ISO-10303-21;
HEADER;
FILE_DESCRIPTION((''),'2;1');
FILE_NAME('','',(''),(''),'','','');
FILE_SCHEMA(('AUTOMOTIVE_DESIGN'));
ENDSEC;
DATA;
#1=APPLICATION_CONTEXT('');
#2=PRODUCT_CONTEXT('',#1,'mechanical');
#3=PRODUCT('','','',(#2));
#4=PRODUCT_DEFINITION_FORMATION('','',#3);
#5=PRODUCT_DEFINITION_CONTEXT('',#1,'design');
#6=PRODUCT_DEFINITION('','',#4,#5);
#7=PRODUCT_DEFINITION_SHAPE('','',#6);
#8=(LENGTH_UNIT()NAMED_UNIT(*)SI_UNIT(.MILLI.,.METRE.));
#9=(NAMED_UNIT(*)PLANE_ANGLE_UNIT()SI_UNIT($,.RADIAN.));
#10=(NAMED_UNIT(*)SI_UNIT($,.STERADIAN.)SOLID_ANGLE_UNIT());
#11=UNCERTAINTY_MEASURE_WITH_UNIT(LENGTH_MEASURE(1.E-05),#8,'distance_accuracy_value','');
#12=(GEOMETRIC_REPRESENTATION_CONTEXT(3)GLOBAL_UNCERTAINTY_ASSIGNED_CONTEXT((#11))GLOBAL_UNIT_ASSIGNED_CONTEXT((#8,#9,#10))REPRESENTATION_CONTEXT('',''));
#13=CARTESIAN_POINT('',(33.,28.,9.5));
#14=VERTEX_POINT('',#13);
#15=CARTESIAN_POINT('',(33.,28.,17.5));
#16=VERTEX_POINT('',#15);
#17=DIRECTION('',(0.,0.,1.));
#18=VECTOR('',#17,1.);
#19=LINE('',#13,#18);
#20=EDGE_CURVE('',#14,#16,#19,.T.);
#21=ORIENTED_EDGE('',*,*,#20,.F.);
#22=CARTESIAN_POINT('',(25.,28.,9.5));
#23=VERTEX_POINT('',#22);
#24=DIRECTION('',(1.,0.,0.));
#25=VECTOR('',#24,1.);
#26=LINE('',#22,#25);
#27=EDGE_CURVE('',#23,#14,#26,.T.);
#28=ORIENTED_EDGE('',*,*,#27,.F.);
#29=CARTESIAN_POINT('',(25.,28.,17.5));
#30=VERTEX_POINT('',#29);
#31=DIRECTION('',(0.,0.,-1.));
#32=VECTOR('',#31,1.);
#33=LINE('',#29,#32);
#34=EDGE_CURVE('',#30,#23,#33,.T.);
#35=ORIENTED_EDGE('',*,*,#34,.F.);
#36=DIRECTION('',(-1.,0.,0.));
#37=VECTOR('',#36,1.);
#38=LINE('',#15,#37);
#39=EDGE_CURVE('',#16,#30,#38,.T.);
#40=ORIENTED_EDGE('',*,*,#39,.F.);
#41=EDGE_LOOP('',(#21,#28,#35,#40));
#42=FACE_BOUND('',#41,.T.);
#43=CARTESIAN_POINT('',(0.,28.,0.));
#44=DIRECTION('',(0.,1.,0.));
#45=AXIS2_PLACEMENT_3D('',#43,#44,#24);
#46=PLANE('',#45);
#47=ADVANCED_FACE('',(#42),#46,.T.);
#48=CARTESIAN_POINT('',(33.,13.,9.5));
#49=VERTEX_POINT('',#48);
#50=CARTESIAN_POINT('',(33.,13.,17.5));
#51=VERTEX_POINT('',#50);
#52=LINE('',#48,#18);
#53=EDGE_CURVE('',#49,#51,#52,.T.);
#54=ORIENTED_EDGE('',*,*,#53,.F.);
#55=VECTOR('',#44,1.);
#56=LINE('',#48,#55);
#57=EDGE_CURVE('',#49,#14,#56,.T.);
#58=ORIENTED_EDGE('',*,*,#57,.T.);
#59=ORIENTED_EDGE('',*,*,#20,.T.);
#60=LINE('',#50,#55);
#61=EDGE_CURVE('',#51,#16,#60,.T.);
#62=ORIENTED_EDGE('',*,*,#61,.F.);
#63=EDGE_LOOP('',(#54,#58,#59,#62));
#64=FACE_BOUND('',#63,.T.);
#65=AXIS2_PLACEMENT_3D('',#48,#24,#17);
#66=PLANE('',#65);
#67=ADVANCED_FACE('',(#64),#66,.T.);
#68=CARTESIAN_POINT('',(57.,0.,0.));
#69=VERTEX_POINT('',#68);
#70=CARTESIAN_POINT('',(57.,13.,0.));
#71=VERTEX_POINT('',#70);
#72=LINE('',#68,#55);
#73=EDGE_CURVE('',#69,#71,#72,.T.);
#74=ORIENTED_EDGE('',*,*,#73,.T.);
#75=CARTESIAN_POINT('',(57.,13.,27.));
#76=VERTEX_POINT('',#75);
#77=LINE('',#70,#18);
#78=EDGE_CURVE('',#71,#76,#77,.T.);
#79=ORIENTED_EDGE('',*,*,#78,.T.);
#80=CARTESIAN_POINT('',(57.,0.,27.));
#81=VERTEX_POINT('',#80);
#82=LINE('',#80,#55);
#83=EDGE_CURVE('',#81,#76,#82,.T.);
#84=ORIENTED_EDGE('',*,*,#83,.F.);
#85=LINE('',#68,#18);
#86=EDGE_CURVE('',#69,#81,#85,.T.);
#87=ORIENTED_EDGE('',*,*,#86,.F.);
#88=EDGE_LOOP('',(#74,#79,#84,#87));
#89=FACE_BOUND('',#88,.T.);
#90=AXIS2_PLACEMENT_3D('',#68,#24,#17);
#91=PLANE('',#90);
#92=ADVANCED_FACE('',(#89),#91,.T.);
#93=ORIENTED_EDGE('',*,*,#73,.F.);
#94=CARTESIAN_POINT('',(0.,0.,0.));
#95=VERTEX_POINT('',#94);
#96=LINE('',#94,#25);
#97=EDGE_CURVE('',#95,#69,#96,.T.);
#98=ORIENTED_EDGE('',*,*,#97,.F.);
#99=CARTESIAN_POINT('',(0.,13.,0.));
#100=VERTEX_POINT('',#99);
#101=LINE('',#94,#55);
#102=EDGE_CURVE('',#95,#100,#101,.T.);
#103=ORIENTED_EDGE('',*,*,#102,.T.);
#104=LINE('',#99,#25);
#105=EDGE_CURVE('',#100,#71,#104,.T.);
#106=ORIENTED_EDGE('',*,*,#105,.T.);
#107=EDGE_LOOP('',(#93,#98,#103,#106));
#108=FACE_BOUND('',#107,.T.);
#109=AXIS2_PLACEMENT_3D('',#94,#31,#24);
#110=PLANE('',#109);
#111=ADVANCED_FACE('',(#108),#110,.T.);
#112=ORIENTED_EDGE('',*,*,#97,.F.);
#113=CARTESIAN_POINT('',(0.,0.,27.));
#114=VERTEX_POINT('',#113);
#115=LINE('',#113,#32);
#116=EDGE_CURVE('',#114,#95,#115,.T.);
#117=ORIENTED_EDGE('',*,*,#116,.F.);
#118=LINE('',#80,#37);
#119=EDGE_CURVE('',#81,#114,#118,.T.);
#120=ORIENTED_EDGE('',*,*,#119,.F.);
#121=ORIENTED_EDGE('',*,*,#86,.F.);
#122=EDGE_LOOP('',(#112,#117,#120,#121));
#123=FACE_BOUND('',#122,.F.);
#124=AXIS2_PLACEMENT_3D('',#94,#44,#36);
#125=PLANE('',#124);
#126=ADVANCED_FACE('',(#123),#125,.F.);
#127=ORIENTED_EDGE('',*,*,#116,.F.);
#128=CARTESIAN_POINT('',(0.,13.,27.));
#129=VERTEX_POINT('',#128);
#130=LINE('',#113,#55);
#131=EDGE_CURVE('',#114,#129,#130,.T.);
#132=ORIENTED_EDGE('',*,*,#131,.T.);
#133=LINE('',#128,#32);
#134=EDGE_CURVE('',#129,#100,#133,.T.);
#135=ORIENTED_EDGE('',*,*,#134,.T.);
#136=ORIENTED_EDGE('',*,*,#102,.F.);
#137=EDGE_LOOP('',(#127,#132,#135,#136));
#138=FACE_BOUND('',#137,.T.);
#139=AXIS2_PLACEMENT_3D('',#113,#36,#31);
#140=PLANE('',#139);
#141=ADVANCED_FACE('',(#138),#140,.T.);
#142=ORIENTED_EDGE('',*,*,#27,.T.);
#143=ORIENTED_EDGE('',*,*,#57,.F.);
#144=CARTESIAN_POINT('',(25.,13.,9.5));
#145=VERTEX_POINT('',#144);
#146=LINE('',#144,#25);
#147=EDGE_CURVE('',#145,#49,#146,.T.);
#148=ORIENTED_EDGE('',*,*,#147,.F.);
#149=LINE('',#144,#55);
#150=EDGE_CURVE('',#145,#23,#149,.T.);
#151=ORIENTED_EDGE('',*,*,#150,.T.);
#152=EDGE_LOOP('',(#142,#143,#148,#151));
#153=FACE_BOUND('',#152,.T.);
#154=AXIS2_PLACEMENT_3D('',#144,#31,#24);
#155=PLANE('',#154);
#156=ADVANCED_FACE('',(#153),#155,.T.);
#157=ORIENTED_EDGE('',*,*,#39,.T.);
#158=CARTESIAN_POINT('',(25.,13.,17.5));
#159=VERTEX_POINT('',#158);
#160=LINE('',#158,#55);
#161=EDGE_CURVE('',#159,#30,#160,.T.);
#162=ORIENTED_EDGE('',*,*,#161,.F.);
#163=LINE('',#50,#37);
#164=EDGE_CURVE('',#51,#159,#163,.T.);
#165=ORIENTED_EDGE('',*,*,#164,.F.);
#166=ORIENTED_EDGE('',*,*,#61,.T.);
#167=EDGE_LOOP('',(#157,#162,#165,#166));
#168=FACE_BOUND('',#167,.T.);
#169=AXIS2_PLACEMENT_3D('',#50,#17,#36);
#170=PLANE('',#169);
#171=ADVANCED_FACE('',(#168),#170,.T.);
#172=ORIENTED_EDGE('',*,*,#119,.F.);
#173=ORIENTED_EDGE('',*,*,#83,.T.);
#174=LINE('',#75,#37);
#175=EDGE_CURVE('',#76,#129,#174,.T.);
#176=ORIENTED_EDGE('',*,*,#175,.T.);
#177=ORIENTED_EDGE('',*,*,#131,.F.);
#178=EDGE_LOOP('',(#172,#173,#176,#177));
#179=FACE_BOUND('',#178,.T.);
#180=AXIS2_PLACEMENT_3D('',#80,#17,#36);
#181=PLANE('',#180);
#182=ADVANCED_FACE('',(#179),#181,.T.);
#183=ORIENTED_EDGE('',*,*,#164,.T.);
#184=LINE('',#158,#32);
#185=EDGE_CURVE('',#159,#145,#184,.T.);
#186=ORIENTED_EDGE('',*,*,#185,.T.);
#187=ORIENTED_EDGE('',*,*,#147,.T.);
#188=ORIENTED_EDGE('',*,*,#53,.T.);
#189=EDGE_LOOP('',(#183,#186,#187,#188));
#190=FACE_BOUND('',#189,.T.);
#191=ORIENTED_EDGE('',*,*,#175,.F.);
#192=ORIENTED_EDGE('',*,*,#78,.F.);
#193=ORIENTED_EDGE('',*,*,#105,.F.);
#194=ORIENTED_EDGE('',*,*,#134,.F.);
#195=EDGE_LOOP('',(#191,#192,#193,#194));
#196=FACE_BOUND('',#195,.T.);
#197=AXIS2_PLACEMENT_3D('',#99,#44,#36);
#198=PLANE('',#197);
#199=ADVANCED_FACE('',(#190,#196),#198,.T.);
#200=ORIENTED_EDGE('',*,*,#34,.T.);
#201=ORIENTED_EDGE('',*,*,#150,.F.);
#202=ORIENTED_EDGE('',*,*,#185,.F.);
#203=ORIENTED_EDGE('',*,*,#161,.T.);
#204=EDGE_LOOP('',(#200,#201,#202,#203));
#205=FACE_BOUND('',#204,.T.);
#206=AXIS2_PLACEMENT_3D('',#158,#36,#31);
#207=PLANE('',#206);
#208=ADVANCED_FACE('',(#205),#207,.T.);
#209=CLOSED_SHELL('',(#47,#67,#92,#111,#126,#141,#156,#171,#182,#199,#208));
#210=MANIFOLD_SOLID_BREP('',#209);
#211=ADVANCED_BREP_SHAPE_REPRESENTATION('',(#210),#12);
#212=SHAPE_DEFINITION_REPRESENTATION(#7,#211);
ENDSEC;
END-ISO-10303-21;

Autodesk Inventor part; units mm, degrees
ref_plane "YZ Plane" through (0, 0, 0) normal (1, 0, 0) x (0, 1, 0)
ref_plane "XZ Plane" through (0, 0, 0) normal (0, 1, 0) x (-1, 0, 0)
ref_plane "XY Plane" through (0, 0, 0) normal (0, 0, 1) x (1, 0, 0)
sketch "Sketch1" plane through (0, 0, 0) normal (0, 1, 0) x (-1, 0, 0)
  line L0 (0, 0) -> (-57, 0)
  line L1 (-57, 0) -> (-57, 27)
  line L2 (-57, 27) -> (0, 27)
  line L3 (0, 27) -> (0, 0)
  dimension "d0" = 57
  dimension "d1" = 27
extrude "Extrusion1" add sketch "Sketch1" along normal blind 13
sketch "Sketch2" plane through (0, 13, 0) normal (0, 1, 0) x (1, 0, 0)
  line L0 (0, 0) -> (0, -27) projected
  line L1 (25, -9.5) -> (33, -9.5)
  line L2 (33, -9.5) -> (33, -17.5)
  line L3 (33, -17.5) -> (25, -17.5)
  line L4 (25, -17.5) -> (25, -9.5)
  dimension "d5" = 8
  dimension "d6" = 8
extrude "Extrusion2" add sketch "Sketch2" along normal blind 15
properties part number "Esp32"
